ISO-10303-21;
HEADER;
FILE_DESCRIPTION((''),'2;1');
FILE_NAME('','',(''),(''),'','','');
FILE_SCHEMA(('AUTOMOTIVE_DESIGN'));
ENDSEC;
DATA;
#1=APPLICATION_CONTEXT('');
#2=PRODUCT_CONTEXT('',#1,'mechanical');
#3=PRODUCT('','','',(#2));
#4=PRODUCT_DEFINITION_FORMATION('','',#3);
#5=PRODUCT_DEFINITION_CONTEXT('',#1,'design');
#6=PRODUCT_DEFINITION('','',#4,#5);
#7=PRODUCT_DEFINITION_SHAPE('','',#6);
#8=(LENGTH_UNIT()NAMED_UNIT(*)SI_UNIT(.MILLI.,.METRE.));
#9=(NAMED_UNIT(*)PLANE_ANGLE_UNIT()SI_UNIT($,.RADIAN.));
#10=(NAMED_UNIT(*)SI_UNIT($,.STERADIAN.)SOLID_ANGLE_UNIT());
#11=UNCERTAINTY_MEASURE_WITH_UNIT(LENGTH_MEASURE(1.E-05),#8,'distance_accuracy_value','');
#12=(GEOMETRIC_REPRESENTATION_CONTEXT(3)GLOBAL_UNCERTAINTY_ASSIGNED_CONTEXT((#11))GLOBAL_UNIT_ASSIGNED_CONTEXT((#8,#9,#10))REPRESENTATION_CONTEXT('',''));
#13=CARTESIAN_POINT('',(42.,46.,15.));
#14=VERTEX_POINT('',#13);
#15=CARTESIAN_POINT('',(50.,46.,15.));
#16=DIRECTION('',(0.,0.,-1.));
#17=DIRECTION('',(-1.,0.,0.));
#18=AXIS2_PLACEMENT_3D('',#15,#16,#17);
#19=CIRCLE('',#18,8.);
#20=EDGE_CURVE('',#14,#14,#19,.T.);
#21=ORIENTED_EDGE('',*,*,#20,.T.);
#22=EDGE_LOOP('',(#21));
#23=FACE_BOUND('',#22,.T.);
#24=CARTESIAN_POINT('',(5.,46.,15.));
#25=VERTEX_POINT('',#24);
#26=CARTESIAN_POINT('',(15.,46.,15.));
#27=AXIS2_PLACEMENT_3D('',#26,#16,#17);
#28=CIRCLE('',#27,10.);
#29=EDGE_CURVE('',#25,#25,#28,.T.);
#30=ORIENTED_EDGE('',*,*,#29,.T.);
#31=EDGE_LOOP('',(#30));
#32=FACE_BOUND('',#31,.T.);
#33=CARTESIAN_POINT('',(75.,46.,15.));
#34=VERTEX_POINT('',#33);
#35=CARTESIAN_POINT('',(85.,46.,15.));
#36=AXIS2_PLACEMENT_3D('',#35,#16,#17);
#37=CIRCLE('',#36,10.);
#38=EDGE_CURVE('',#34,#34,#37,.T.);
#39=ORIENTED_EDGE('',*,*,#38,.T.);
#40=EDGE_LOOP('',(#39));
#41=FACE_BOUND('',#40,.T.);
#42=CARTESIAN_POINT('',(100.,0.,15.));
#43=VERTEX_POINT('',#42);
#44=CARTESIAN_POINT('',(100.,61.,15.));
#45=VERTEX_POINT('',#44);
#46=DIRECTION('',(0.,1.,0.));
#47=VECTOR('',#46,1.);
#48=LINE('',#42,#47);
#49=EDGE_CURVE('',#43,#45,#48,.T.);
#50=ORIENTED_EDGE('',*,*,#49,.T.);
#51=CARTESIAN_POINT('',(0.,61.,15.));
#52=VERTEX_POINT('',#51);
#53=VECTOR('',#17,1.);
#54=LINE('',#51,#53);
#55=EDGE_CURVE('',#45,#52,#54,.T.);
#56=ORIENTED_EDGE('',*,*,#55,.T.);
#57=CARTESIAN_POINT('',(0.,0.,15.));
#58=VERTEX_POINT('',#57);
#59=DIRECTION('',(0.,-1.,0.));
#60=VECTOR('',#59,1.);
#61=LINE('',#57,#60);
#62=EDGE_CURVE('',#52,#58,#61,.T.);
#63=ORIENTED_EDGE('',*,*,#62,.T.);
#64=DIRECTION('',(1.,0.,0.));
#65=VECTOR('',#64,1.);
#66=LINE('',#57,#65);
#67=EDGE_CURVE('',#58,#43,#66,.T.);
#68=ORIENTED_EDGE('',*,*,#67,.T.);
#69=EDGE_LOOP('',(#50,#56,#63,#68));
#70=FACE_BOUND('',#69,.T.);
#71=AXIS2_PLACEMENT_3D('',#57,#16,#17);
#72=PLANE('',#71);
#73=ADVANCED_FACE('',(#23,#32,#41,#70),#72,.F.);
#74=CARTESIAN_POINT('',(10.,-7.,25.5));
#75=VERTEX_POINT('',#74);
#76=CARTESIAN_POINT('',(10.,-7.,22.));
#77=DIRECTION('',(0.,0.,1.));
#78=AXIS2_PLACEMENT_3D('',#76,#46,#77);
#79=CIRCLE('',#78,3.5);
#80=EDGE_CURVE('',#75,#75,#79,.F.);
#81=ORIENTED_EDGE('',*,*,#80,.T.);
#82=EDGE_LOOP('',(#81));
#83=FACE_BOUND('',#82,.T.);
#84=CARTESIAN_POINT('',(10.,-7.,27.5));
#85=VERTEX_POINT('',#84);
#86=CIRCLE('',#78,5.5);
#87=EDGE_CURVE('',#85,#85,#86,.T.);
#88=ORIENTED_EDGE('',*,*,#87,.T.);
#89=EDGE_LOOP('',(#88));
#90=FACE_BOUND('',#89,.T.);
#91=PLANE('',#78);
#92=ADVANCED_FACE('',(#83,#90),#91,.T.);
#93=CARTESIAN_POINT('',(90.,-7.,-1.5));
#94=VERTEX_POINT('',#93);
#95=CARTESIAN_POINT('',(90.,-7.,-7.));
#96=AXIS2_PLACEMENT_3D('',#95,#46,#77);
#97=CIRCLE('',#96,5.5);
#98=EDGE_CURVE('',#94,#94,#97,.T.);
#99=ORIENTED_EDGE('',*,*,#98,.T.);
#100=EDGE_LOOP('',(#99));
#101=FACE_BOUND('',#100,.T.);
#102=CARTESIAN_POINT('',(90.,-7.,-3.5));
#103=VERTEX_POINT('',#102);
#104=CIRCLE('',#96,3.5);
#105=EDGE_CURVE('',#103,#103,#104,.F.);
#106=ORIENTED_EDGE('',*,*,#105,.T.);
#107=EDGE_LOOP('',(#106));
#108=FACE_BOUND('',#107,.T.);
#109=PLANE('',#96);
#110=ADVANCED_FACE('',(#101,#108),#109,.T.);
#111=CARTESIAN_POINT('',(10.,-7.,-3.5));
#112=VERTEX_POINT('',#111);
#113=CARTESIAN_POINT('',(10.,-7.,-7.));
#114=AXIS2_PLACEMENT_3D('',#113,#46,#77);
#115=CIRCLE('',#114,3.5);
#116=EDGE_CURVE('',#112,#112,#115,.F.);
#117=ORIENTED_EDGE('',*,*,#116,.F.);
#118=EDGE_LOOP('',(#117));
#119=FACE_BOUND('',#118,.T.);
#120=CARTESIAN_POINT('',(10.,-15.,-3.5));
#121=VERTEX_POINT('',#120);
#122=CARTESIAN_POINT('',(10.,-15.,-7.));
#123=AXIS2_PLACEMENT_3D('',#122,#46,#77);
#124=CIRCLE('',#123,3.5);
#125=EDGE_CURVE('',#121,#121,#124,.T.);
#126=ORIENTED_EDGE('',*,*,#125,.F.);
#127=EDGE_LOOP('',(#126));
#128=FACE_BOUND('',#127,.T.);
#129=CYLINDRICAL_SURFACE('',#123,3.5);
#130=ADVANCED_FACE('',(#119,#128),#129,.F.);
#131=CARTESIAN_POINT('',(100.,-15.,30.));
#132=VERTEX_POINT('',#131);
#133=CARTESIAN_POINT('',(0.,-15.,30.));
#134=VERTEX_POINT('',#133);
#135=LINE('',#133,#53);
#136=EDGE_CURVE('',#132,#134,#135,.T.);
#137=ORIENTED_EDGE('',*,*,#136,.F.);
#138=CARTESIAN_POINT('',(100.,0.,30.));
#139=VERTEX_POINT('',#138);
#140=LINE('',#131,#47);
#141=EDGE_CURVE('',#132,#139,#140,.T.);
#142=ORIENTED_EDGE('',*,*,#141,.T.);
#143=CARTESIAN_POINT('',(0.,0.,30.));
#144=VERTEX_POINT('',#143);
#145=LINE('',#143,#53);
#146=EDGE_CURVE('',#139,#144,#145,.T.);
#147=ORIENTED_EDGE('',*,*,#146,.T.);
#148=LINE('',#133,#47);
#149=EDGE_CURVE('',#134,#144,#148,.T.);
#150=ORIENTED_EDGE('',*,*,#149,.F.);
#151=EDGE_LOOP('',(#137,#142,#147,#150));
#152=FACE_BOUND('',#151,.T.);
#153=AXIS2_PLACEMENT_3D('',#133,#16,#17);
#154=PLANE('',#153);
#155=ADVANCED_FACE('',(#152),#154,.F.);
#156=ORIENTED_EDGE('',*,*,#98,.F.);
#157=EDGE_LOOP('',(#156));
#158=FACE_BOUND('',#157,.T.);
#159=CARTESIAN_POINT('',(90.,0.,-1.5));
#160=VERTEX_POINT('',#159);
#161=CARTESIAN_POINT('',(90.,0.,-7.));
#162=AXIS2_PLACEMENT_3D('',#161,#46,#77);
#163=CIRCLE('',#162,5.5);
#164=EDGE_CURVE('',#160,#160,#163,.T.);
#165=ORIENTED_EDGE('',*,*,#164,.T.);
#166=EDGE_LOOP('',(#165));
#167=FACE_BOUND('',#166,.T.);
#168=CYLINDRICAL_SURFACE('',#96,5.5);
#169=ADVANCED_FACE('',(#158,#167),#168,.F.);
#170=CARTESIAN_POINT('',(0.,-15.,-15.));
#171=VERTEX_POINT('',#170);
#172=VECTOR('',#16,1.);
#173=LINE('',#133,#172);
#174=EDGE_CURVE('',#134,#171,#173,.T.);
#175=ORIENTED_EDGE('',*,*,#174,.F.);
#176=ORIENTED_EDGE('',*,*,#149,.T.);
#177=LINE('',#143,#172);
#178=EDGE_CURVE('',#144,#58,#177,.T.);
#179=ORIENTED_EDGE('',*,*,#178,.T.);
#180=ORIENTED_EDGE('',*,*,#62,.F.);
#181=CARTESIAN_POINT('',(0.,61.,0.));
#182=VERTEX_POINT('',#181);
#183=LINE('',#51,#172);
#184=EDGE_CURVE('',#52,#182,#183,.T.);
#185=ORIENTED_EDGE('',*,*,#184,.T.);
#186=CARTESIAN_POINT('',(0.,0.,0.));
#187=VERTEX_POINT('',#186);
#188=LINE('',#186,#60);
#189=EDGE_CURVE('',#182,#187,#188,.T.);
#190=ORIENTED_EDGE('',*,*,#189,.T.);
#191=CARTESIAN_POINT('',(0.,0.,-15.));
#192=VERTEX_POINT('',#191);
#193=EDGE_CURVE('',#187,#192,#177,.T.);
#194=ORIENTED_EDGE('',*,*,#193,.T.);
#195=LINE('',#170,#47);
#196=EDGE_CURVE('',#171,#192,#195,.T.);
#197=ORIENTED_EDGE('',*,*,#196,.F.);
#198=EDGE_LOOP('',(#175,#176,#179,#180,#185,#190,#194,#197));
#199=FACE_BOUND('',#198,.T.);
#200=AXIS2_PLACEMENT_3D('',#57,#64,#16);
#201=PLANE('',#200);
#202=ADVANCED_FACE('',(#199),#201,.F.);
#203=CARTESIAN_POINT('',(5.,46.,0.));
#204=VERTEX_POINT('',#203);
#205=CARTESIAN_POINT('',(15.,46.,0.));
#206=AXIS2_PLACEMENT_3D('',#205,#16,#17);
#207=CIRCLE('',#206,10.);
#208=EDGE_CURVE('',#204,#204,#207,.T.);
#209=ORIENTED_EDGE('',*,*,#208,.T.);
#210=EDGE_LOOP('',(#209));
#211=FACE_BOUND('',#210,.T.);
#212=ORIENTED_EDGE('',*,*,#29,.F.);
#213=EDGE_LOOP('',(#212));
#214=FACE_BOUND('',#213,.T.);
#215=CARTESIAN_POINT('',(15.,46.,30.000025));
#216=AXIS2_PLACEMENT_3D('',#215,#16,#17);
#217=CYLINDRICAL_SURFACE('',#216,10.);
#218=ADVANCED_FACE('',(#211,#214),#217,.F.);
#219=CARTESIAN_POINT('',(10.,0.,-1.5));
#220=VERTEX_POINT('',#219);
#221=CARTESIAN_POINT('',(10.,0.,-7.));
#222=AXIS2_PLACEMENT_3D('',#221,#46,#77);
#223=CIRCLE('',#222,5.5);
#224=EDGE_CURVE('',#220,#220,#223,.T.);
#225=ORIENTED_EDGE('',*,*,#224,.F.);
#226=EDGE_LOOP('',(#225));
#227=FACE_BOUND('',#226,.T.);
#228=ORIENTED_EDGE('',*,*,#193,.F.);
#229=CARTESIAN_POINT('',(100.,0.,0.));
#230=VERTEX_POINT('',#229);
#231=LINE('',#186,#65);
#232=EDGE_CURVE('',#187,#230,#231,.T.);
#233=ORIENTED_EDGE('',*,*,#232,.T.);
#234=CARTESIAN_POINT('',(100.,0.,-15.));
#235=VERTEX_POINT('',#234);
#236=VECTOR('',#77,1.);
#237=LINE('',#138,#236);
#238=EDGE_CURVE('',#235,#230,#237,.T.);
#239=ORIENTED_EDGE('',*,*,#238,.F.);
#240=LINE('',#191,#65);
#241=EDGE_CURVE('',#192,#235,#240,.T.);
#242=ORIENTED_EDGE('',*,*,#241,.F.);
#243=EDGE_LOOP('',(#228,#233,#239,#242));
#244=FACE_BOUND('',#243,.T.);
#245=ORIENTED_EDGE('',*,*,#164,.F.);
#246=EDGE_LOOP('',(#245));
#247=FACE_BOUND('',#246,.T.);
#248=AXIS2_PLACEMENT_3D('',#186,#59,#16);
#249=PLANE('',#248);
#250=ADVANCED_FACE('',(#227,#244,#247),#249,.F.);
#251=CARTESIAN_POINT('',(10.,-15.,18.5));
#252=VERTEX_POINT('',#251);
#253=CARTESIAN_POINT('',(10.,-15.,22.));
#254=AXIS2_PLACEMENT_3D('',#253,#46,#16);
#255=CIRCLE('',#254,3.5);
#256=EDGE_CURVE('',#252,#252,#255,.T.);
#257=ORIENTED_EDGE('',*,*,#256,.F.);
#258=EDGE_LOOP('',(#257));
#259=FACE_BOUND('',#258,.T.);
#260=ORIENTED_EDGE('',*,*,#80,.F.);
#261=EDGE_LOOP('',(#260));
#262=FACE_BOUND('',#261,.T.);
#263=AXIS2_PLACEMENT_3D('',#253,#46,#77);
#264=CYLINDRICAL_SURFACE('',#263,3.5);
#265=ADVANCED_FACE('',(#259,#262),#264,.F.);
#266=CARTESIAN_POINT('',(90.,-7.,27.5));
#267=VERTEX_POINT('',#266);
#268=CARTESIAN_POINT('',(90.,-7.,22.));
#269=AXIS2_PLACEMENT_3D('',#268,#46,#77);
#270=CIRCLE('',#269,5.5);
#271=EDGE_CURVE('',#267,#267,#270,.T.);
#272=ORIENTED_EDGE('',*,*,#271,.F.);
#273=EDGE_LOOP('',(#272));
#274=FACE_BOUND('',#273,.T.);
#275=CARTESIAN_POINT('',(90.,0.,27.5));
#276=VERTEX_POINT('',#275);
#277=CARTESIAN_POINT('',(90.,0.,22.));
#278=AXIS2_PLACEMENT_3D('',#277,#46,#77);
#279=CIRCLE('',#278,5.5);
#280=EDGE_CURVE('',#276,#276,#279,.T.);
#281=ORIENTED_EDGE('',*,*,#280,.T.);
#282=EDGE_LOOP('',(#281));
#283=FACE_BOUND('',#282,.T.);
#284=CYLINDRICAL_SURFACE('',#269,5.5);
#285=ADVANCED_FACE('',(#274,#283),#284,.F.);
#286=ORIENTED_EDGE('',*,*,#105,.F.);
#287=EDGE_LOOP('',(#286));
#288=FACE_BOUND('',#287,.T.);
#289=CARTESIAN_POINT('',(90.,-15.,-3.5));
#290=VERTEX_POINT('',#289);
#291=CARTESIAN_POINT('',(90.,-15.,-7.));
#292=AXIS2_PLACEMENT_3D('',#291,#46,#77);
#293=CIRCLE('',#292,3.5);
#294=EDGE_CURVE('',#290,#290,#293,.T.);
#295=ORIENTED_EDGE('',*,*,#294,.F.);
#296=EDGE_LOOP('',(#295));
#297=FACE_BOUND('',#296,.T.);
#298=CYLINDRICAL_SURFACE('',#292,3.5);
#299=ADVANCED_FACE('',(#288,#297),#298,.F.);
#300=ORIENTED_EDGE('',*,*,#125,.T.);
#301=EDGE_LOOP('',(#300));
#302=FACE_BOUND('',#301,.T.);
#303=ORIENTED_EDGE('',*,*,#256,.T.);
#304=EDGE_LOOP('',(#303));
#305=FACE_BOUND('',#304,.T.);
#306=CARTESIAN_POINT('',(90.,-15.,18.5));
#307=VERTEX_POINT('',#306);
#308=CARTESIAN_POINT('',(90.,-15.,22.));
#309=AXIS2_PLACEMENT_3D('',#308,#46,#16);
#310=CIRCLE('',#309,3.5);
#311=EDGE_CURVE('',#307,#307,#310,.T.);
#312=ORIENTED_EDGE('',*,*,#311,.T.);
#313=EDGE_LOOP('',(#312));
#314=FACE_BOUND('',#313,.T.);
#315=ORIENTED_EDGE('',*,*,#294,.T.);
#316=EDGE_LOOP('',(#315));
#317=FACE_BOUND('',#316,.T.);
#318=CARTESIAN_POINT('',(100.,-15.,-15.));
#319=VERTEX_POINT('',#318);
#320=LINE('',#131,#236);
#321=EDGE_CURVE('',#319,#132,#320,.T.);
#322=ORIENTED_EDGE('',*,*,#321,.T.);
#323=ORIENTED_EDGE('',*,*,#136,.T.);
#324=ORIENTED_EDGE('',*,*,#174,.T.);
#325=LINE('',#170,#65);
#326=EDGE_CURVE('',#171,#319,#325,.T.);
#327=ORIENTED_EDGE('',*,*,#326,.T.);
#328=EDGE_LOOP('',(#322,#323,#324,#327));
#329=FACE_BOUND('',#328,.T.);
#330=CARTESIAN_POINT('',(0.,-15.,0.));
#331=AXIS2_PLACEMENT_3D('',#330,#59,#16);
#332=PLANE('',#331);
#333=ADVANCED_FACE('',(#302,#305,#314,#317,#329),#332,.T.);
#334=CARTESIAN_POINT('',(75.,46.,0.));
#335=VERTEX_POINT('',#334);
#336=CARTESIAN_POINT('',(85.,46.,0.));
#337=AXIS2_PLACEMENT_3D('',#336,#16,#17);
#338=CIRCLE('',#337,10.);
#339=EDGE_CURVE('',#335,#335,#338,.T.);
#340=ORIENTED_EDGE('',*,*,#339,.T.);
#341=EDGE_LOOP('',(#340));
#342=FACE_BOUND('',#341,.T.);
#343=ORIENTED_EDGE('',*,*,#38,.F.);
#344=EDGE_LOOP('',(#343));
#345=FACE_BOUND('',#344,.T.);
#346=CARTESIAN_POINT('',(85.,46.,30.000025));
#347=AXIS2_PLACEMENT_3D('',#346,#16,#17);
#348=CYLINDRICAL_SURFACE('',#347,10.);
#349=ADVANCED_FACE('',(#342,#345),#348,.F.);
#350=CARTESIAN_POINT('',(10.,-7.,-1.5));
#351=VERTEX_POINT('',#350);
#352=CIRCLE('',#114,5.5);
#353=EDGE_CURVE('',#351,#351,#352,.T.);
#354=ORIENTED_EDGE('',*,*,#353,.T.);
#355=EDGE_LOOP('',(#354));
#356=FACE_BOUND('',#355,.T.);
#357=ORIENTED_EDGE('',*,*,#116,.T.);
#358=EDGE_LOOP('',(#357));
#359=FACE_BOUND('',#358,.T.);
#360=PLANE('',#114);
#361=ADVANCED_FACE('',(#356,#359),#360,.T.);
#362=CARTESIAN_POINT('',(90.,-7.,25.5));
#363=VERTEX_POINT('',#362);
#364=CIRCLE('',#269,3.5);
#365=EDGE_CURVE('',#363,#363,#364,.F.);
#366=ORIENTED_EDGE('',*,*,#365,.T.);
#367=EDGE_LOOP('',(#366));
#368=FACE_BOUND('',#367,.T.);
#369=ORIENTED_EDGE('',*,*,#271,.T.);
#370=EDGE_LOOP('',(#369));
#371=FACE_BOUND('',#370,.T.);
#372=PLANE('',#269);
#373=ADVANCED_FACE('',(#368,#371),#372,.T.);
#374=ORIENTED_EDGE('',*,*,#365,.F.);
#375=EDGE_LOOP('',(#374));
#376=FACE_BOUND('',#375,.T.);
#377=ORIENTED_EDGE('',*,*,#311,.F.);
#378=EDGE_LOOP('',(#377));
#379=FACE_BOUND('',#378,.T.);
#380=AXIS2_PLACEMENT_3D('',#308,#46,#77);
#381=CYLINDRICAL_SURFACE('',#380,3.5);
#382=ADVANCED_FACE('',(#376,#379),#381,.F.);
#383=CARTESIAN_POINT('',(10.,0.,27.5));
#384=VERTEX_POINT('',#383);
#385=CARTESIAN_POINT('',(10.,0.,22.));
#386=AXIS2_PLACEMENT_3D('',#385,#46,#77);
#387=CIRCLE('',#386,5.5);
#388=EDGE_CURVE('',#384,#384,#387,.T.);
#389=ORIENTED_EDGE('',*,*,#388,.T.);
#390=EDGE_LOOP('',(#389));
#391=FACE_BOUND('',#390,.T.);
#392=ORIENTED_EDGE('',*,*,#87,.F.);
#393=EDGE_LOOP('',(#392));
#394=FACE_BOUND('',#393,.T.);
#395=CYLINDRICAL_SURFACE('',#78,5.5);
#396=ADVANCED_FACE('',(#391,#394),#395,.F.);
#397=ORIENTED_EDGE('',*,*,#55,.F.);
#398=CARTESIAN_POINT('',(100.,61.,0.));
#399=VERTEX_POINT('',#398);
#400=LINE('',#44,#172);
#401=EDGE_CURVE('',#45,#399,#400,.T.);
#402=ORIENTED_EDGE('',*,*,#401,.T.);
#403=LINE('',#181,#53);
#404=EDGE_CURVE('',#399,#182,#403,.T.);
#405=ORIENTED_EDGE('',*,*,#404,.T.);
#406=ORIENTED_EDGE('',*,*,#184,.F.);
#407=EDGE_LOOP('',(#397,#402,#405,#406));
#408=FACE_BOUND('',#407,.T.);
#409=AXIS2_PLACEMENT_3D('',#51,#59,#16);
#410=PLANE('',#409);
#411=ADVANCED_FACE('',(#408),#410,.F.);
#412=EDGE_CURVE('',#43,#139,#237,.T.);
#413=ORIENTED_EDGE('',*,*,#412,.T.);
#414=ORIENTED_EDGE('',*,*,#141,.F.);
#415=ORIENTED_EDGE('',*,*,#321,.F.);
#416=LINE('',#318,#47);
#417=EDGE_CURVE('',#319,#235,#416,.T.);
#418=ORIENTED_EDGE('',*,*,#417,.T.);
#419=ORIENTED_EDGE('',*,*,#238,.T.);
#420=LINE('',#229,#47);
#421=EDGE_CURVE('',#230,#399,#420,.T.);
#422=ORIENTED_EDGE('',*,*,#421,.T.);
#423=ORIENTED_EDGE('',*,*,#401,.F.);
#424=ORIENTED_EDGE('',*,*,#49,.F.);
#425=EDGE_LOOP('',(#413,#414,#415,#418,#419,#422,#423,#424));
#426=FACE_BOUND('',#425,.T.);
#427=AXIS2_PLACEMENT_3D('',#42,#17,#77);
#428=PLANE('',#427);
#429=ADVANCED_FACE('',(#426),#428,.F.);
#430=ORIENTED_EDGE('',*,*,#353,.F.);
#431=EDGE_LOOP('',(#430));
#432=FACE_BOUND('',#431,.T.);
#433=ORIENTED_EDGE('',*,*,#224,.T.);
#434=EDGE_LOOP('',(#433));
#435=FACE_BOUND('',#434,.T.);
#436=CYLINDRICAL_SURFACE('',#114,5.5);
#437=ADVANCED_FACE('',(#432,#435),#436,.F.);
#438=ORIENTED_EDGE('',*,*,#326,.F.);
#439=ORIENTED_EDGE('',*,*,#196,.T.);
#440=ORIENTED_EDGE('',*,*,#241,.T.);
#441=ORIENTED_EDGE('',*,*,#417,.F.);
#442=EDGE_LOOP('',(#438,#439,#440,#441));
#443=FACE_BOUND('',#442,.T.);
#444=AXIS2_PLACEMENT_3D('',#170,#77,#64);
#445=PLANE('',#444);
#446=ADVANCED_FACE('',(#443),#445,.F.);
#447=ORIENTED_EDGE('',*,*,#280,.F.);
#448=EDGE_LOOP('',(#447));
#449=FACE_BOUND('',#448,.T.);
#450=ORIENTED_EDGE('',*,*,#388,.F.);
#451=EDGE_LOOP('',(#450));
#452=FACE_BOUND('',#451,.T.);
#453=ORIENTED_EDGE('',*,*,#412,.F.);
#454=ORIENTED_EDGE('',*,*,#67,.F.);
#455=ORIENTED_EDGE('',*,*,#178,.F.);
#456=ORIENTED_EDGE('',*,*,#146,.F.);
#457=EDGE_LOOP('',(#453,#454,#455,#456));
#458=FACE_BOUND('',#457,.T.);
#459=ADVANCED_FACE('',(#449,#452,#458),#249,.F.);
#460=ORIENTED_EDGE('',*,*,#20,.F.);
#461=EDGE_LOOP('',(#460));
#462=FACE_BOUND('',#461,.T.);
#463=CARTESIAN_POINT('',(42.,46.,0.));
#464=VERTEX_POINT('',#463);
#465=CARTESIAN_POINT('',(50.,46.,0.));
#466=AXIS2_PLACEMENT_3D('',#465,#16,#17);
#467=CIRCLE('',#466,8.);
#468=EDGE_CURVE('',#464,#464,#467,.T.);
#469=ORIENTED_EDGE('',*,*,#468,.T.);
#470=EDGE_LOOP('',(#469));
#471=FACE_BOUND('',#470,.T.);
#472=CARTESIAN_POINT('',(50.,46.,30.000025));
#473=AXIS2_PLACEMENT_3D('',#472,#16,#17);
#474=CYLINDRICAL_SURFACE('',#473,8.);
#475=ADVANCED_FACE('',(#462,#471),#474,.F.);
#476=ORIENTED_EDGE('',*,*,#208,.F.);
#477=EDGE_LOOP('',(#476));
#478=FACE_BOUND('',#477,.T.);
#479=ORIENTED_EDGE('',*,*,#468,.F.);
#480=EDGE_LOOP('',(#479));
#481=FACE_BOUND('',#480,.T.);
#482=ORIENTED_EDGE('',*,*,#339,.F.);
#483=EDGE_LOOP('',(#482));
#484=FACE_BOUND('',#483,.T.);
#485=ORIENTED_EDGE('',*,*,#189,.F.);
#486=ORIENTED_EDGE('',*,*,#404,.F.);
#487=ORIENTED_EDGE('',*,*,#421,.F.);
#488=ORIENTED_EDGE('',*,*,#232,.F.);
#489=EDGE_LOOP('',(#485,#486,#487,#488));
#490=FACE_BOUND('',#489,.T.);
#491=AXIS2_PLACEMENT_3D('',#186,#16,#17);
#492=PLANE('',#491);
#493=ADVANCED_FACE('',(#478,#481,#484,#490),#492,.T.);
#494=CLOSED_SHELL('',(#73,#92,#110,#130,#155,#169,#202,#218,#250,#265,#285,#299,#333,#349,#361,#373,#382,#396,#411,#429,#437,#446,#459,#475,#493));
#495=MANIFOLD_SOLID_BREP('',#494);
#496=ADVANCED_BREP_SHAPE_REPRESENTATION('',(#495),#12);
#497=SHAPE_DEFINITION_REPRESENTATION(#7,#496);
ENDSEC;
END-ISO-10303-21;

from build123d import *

# Parameters (mm, degrees)
SKETCH_1_W          = 100
SKETCH_1_H          = 61
EXTRUDE_1_DEPTH     = 15
SKETCH_2_W          = 100
SKETCH_2_H          = 45
EXTRUDE_2_DEPTH     = 15
SKETCH_3_R          = 3.5
CUT_EXTRUDE_1_DEPTH = 121.917327129
SKETCH_4_R          = 5.5
CUT_EXTRUDE_2_DEPTH = 7
SKETCH_5_R          = 10
SKETCH_5_R_2        = 8
CUT_EXTRUDE_3_DEPTH = 121.917327129


with BuildPart() as part:
    # 草图1 → 凸台-拉伸1 (new body)
    with BuildSketch(Plane.XY):
        with Locations((50, 30.5)):
            Rectangle(SKETCH_1_W, SKETCH_1_H)
    extrude(amount=EXTRUDE_1_DEPTH)

    # 草图2 → 凸台-拉伸2 (add)
    with BuildSketch(Plane.XZ):
        with Locations((50, 7.5)):
            Rectangle(SKETCH_2_W, SKETCH_2_H)
    extrude(amount=EXTRUDE_2_DEPTH)

    # 草图3 → 切除-拉伸1 (cut, through all)
    with BuildSketch(Plane(origin=(0, 0, 0), x_dir=(1, 0, 0), z_dir=(0, 1, 0))):
        with Locations(Location((10, 7, 0), (0, 0, 270))):
            Circle(SKETCH_3_R)
        with Locations(Location((90, 7, 0), (0, 0, 270))):
            Circle(SKETCH_3_R)
        with Locations(Location((90, -22, 0), (0, 0, 90))):
            Circle(SKETCH_3_R)
        with Locations(Location((10, -22, 0), (0, 0, 90))):
            Circle(SKETCH_3_R)
    extrude(amount=-CUT_EXTRUDE_1_DEPTH, mode=Mode.SUBTRACT)

    # 草图4 → 切除-拉伸2 (cut)
    with BuildSketch(Plane(origin=(0, 0, 0), x_dir=(1, 0, 0), z_dir=(0, 1, 0))):
        with Locations(Location((10, 7, 0), (0, 0, 270))):
            Circle(SKETCH_4_R)
        with Locations(Location((90, 7, 0), (0, 0, 270))):
            Circle(SKETCH_4_R)
        with Locations(Location((10, -22, 0), (0, 0, 270))):
            Circle(SKETCH_4_R)
        with Locations(Location((90, -22, 0), (0, 0, 270))):
            Circle(SKETCH_4_R)
    extrude(amount=-CUT_EXTRUDE_2_DEPTH, mode=Mode.SUBTRACT)

    # 草图5 → 切除-拉伸3 (cut, through all)
    with BuildSketch(Plane(origin=(0, 0, 0), x_dir=(-1, 0, 0), z_dir=(0, 0, -1))):
        with Locations((-85, 46)):
            Circle(SKETCH_5_R)
        with Locations((-15, 46)):
            Circle(SKETCH_5_R)
        with Locations((-50, 46)):
            Circle(SKETCH_5_R_2)
    extrude(amount=-CUT_EXTRUDE_3_DEPTH, mode=Mode.SUBTRACT)


solid = part.part
